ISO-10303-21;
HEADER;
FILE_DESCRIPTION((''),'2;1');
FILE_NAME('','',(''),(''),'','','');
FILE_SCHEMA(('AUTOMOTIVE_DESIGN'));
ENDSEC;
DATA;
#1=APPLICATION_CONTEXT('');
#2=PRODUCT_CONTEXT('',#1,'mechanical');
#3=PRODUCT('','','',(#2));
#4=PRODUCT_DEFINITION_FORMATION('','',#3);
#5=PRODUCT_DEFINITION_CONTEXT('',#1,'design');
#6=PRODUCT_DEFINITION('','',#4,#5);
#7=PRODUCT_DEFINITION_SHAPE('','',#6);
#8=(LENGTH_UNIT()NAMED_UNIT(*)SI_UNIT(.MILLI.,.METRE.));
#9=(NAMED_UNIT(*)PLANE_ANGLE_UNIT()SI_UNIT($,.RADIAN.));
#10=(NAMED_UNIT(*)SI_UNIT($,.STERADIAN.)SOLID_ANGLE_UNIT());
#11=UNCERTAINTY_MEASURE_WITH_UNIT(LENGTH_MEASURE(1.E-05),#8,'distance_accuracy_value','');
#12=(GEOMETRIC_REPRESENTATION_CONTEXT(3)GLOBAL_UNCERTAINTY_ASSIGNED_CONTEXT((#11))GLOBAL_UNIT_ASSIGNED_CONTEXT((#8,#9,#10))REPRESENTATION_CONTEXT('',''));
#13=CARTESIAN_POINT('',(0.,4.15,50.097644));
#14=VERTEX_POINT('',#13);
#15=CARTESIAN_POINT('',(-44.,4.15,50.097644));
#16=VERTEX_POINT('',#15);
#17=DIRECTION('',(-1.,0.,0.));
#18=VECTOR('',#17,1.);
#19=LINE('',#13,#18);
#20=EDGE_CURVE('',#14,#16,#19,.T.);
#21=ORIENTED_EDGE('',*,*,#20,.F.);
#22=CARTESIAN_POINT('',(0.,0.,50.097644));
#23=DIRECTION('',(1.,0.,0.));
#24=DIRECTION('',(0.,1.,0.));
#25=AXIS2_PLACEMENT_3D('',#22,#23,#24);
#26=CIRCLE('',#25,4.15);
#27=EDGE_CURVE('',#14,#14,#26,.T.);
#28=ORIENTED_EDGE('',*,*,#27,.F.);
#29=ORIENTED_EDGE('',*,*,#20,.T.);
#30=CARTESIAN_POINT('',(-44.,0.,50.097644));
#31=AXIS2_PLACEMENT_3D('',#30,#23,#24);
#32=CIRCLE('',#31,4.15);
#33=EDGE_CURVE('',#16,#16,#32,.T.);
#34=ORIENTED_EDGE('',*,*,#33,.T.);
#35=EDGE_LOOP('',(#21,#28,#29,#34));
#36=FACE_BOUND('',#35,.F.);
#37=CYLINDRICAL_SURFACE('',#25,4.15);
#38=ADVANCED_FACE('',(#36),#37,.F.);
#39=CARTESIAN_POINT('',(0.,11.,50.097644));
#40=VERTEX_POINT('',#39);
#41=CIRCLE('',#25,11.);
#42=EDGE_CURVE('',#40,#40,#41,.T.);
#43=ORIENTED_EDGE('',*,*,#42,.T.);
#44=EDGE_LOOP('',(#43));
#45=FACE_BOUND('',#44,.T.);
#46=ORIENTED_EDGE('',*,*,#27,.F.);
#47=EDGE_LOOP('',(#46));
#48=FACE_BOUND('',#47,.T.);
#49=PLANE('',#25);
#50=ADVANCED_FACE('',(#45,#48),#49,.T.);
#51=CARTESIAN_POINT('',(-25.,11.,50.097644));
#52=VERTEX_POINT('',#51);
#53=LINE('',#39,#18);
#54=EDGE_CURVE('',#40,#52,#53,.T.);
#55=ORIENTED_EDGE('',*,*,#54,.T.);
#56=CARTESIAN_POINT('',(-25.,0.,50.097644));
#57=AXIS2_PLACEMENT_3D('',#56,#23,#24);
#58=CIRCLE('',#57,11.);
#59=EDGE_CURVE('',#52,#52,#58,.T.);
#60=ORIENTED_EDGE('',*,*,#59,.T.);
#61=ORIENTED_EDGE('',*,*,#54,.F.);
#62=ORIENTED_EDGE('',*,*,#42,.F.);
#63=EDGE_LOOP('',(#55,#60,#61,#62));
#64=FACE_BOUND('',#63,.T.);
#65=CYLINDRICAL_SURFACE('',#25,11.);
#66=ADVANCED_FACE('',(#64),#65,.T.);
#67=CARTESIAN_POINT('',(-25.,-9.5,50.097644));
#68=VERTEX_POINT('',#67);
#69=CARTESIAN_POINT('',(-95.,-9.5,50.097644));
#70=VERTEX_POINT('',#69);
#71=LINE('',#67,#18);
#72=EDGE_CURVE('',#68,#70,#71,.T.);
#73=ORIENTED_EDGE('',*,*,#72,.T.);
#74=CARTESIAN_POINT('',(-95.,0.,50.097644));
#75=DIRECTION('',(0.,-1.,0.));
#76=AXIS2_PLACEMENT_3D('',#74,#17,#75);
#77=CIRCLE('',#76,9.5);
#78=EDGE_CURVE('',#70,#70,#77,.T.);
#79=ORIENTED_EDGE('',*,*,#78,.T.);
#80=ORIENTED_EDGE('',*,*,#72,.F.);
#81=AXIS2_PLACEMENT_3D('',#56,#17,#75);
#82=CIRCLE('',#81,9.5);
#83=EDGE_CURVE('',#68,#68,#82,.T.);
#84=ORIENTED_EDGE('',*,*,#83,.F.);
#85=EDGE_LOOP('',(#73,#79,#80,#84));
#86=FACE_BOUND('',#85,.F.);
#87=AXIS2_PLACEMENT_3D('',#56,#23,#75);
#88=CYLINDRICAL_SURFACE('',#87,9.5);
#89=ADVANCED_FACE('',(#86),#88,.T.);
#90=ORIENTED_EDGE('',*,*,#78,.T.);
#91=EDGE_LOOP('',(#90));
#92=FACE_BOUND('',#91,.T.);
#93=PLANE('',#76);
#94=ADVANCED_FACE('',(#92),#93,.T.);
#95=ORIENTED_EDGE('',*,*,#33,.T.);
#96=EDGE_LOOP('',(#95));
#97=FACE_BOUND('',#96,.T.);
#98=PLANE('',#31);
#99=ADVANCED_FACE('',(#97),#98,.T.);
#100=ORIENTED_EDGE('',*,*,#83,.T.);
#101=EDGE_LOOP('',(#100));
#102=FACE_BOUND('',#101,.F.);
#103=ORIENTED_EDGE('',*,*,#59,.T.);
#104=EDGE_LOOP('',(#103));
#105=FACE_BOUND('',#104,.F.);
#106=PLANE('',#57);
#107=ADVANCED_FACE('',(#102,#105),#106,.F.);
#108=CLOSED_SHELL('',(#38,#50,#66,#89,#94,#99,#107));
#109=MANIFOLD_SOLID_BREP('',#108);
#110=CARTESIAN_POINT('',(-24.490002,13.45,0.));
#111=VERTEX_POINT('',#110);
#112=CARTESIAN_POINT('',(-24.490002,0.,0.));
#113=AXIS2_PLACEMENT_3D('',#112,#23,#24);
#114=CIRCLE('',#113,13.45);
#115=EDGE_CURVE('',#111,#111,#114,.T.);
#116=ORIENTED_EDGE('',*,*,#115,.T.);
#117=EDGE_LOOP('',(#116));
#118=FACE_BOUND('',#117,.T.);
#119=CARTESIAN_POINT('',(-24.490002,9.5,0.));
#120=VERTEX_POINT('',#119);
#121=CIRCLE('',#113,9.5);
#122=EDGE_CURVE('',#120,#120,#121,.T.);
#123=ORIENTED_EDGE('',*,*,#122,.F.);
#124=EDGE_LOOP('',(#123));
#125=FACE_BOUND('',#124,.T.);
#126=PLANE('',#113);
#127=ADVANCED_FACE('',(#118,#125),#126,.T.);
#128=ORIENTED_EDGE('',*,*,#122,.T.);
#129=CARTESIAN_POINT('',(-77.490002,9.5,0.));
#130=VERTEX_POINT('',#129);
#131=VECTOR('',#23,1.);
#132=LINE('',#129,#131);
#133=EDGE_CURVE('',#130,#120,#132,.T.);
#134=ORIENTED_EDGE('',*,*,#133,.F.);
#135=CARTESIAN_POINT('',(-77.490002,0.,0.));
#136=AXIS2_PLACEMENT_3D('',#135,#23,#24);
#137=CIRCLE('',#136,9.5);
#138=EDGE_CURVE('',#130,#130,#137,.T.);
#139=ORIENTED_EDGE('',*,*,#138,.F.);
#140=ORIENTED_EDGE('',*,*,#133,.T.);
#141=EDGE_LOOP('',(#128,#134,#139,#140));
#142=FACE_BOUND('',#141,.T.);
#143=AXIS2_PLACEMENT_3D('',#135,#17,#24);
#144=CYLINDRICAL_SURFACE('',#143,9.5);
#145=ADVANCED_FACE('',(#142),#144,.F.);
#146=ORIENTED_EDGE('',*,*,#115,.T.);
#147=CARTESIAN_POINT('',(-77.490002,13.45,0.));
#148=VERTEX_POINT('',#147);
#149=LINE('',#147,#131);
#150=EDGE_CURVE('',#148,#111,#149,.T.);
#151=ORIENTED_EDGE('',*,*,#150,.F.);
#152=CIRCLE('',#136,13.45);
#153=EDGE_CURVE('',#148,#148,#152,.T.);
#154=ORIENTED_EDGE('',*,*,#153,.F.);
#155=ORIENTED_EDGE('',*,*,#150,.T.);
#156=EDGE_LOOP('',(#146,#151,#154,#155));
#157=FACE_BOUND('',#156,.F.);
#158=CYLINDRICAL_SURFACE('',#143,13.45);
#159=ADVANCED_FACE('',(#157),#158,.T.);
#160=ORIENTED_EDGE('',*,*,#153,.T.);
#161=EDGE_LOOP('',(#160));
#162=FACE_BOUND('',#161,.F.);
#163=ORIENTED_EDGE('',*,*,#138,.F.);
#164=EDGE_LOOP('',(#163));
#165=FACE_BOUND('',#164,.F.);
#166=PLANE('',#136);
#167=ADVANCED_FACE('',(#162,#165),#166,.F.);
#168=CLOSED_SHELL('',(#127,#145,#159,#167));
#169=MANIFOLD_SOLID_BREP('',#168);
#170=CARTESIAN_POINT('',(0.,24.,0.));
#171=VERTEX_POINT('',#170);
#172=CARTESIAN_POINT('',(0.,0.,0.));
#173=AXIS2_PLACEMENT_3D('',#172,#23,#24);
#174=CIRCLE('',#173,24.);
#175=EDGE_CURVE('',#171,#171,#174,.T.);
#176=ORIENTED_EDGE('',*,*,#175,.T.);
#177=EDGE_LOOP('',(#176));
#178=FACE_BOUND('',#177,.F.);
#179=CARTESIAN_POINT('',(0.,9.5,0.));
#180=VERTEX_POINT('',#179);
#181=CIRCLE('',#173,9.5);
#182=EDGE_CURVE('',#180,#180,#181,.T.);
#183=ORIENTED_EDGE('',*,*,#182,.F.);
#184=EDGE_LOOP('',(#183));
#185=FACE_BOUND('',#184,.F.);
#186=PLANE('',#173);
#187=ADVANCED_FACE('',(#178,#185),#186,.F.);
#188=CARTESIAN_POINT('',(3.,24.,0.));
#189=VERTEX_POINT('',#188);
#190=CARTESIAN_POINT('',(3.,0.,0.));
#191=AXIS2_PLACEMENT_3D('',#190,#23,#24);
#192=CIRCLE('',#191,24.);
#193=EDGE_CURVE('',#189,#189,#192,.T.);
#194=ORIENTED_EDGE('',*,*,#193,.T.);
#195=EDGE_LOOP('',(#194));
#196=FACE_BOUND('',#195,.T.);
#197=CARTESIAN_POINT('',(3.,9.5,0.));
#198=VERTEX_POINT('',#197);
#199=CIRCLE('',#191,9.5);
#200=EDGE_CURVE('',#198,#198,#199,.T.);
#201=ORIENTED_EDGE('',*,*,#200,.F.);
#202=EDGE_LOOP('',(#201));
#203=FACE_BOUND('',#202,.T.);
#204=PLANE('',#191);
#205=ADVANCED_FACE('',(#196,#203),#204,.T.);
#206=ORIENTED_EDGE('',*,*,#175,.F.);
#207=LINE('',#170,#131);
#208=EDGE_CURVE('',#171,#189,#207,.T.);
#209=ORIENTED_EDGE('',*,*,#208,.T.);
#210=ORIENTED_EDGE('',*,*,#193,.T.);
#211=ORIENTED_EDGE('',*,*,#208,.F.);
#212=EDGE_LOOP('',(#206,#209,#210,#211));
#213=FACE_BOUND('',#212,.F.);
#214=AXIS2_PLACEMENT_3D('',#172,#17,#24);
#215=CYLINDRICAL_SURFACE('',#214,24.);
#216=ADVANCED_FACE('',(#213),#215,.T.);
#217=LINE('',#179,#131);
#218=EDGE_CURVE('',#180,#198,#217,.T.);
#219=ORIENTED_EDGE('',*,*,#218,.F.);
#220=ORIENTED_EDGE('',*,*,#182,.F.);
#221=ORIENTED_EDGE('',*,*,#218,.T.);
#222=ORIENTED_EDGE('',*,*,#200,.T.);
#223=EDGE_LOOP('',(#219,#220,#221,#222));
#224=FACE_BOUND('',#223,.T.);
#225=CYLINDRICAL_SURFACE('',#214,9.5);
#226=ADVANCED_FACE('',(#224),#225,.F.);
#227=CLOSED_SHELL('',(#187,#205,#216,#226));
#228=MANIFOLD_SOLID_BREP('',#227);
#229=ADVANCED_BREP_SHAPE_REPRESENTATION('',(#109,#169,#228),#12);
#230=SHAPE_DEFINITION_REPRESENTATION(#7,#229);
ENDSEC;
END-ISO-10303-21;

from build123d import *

# Parameters (mm, degrees)
F0_R      = 24
F0_R_2    = 9.5
F1_DEPTH  = 3
F4_R      = 13.45
F4_R_2    = 9.5
F5_DEPTH  = 53
F6_R      = 11
F7_DEPTH  = 25
F8_R      = 9.5
F9_DEPTH  = 70
F10_R     = 4.15
F11_DEPTH = 44


with BuildPart() as f1:
    # F0 (on Right) → F1 (new body)
    with BuildSketch(Plane.YZ):
        Circle(F0_R)
        Circle(F0_R_2, mode=Mode.SUBTRACT)
    extrude(amount=F1_DEPTH)


with BuildPart() as f5:
    # F4 (on plane+point) → F5 (new body)
    with BuildSketch(Plane.YZ.offset(-77.490002)):
        Circle(F4_R)
        Circle(F4_R_2, mode=Mode.SUBTRACT)
    extrude(amount=F5_DEPTH)


with BuildPart() as f7:
    # F6 (on Right) → F7 (new body)
    with BuildSketch(Plane.YZ):
        with Locations((0, 50.097644)):
            Circle(F6_R)
    extrude(amount=-F7_DEPTH)

    # F8 (on face) → F9 (join)
    with BuildSketch(Plane(origin=(-25, 0, 0), x_dir=(0, -1, 0), z_dir=(-1, 0, 0))):
        with Locations((0, 50.097644)):
            Circle(F8_R)
    extrude(amount=F9_DEPTH)

    # F10 (on face) → F11 (cut)
    with BuildSketch(Plane.YZ):
        with Locations((0, 50.097644)):
            Circle(F10_R)
    extrude(amount=-F11_DEPTH, mode=Mode.SUBTRACT)


solid = Compound([f1.part, f5.part, f7.part])
